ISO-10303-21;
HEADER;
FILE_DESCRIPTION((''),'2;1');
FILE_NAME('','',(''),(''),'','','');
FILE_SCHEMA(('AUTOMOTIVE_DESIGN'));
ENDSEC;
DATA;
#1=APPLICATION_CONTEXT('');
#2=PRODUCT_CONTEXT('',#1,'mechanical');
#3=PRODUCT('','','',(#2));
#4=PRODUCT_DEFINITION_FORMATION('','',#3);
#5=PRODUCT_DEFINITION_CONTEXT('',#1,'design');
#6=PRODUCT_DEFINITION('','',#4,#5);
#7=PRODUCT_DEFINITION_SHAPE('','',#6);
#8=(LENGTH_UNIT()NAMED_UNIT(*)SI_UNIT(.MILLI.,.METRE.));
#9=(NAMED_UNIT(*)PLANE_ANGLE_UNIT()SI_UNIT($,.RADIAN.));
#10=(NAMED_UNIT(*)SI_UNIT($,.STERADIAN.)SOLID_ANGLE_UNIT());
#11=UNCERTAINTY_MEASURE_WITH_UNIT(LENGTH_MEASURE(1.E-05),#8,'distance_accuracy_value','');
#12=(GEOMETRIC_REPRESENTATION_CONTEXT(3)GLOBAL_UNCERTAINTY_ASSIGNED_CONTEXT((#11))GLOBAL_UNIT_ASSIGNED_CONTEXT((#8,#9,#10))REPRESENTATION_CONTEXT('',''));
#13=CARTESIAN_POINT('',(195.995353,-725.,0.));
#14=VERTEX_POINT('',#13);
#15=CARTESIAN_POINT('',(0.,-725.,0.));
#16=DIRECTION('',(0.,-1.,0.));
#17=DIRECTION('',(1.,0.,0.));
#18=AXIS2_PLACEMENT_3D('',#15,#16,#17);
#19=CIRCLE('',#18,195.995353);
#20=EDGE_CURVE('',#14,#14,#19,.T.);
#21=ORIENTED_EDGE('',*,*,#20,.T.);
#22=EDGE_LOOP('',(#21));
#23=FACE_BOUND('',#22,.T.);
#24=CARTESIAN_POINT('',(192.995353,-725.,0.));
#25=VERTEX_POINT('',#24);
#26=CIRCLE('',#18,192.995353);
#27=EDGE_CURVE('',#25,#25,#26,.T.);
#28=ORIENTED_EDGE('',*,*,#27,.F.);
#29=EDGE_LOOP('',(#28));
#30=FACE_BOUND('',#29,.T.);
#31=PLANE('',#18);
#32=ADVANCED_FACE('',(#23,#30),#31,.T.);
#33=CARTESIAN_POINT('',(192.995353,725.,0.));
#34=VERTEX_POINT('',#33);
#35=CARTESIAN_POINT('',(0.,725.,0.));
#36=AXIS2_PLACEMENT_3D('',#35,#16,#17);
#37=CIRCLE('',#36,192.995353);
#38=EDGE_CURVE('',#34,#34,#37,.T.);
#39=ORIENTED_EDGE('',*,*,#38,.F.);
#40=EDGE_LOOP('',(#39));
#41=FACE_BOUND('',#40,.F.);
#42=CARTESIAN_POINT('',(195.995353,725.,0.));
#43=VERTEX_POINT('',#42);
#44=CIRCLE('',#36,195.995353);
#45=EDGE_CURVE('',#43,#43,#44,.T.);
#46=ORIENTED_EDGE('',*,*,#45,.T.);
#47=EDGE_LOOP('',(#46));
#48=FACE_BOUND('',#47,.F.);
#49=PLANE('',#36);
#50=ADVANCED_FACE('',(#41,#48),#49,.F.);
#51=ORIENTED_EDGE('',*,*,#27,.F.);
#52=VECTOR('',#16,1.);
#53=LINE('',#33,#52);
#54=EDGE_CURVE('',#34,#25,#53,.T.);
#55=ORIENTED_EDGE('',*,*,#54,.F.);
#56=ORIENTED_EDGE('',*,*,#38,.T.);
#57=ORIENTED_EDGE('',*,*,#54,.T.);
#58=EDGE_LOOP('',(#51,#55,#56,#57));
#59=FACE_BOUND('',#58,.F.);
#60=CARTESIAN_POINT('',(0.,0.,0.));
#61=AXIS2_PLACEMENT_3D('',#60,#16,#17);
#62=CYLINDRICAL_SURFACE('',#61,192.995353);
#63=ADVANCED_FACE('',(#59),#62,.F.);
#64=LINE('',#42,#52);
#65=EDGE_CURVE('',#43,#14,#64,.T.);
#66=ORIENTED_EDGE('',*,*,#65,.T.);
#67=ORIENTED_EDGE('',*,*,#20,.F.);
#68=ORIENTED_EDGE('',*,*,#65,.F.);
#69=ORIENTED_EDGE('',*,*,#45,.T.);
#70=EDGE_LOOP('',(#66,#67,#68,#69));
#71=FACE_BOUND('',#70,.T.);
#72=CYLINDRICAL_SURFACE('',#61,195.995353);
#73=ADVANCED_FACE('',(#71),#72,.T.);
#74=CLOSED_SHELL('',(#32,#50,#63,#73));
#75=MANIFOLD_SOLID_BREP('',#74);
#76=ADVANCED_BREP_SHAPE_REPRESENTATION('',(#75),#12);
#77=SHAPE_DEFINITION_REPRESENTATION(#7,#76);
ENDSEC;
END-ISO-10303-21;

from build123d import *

# Parameters (mm, degrees)
F1_R     = 192.995353
F2_DEPTH = 725
F3_T     = 3


with BuildPart() as f2:
    # F1 (on Front) → F2 (new body, symmetric)
    with BuildSketch(Plane.XZ):
        Circle(F1_R)
    extrude(amount=F2_DEPTH, both=True)

    # F3
    f3_openings = [f2.faces().sort_by_distance(p)[0] for p in [
        (0, -725, 0),
        (0, 725, 0),
    ]]
    offset(amount=F3_T, openings=f3_openings)


solid = f2.part
